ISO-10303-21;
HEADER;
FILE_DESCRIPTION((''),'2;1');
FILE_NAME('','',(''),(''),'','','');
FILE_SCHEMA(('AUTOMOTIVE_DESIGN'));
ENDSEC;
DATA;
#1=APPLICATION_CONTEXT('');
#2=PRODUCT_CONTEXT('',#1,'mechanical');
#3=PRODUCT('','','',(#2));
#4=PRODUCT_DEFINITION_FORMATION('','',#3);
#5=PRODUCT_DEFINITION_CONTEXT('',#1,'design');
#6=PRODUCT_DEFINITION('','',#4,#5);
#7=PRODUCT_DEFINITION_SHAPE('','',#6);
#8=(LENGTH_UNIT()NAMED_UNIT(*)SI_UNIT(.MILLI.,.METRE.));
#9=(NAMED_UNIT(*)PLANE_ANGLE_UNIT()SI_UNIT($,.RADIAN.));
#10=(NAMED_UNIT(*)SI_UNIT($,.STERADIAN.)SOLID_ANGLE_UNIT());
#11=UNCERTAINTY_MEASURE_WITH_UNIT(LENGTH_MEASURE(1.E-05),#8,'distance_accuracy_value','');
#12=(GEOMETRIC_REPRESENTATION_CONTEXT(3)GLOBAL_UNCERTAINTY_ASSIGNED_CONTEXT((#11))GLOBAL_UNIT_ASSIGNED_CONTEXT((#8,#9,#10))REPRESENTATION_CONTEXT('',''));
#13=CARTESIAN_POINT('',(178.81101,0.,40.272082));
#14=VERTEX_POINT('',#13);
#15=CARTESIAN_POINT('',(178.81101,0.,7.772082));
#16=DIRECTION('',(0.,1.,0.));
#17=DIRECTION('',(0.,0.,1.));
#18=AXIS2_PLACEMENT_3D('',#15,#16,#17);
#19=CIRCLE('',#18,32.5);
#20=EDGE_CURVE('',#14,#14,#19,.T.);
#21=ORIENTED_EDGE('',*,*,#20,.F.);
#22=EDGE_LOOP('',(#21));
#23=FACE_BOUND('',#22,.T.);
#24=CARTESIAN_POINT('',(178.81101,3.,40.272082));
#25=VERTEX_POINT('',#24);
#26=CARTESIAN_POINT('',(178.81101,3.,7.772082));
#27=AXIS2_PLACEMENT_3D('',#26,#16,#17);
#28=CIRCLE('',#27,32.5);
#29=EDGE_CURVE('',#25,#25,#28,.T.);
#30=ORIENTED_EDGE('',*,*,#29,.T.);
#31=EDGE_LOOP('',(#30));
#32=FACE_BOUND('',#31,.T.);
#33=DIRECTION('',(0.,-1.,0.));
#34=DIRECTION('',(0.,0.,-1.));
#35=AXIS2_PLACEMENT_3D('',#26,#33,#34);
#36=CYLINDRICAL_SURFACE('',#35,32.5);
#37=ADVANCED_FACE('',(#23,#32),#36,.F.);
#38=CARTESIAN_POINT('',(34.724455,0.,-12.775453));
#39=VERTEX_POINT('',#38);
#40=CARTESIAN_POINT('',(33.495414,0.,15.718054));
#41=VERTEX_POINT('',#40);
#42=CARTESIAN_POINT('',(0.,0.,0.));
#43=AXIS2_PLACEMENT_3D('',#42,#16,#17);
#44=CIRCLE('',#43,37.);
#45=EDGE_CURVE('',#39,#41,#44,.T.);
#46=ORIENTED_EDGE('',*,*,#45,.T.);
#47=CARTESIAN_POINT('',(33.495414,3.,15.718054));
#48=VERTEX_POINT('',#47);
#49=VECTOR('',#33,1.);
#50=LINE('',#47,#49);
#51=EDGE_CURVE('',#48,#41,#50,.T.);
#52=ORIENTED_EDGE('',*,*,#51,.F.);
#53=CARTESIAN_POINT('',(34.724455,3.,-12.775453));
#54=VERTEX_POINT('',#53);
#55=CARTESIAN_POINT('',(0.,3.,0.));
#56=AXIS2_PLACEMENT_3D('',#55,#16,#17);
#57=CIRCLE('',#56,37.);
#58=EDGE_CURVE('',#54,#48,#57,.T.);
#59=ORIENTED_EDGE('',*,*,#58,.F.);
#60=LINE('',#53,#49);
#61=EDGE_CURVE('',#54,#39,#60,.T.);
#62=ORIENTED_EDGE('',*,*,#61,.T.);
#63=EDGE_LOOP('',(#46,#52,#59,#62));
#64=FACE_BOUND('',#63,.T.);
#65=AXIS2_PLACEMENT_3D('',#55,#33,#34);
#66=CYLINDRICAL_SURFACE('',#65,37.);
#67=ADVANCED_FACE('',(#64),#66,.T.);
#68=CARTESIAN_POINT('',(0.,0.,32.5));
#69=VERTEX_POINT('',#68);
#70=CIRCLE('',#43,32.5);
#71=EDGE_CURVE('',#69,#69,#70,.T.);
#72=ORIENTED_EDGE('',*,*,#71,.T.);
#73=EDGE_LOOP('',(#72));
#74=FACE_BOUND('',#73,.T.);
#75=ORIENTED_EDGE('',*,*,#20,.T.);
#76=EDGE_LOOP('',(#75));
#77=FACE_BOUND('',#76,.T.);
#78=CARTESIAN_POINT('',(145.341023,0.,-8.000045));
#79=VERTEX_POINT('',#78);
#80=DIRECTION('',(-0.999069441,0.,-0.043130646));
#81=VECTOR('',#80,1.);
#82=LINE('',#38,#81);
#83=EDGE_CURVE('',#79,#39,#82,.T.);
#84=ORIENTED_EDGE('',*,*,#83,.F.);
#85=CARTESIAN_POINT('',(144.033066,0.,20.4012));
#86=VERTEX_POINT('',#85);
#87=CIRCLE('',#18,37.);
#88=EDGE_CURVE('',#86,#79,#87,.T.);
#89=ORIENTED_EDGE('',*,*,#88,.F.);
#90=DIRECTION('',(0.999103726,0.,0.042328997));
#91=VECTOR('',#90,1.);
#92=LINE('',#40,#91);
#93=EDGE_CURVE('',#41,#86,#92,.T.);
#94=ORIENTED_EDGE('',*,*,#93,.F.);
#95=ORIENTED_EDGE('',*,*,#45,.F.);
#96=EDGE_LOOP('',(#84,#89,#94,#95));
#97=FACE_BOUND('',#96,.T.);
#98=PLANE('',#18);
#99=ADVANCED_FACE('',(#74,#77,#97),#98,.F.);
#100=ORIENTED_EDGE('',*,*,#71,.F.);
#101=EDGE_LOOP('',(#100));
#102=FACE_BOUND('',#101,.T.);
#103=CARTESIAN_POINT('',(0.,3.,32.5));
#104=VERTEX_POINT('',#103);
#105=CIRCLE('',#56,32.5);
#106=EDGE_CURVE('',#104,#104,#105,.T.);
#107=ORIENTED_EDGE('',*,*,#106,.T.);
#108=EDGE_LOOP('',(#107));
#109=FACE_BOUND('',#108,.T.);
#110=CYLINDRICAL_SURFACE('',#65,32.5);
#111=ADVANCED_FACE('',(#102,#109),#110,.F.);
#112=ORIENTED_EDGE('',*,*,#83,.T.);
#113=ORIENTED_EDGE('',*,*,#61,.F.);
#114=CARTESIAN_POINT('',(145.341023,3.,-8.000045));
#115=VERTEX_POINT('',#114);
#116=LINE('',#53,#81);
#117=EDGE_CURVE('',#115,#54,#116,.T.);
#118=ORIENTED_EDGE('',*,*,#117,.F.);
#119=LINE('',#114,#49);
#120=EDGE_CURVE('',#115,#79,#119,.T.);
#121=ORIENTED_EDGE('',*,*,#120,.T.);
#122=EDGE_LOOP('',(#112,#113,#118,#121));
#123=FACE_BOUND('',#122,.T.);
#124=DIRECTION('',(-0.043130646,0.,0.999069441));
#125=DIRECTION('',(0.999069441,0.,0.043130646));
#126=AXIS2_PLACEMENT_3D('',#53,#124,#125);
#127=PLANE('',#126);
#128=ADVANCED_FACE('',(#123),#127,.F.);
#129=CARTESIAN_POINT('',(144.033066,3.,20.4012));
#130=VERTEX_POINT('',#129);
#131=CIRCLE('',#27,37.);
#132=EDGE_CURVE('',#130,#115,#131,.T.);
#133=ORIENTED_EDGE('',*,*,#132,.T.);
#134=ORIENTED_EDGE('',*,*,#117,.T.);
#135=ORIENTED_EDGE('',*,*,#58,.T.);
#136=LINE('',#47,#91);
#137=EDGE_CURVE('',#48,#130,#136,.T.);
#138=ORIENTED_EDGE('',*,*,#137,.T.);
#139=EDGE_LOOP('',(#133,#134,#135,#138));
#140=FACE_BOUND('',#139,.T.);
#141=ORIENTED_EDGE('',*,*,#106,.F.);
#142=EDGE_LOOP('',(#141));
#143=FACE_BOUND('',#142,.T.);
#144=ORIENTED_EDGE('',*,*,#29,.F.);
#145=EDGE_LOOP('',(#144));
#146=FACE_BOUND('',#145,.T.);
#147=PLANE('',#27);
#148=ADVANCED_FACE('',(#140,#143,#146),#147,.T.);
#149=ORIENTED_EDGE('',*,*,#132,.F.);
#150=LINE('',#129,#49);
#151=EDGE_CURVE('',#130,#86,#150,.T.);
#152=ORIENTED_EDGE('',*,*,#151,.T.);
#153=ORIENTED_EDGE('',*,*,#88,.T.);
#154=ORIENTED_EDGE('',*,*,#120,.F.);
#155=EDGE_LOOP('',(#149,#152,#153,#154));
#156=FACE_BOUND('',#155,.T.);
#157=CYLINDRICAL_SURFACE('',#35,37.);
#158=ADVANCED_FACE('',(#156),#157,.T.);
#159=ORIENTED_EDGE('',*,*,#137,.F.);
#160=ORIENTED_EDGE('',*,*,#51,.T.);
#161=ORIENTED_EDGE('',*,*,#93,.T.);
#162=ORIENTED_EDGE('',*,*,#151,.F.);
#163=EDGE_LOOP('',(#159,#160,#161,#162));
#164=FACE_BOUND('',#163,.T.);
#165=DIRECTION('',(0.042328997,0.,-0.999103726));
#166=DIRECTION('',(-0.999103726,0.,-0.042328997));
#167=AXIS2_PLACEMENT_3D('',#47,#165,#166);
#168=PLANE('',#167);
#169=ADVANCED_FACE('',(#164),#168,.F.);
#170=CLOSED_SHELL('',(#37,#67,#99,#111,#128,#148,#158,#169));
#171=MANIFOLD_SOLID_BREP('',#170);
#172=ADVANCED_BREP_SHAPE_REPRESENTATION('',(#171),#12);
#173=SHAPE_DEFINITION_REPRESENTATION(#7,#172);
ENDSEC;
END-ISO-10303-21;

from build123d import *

# Parameters (mm, degrees)
SKETCH1_R           = 32.5
BOSS_EXTRUDE1_DEPTH = 3


with BuildPart() as part:
    # Sketch1 → Boss-Extrude1 (new body)
    with BuildSketch(Plane(origin=(0, 0, 0), x_dir=(1, 0, 0), z_dir=(0, 1, 0))):
        with BuildLine():
            Line((34.724455341, 12.775453074), (145.341023247, 8.00004525))
            ThreePointArc((145.341023247, 8.00004525), (215.771836356, -9.474231493), (144.033066178, -20.401199793))
            Line((144.033066178, -20.401199793), (33.495414057, -15.718054496))
            ThreePointArc((33.495414057, -15.718054496), (-36.965627799, 1.594478411), (34.724455341, 12.775453074))
        make_face()
        with Locations(Location((0, 0, 0), (0, 0, 270))):
            Circle(SKETCH1_R, mode=Mode.SUBTRACT)
        with Locations(Location((178.811009986, -7.772081673, 0), (0, 0, 270))):
            Circle(SKETCH1_R, mode=Mode.SUBTRACT)
    extrude(amount=BOSS_EXTRUDE1_DEPTH)


solid = part.part
